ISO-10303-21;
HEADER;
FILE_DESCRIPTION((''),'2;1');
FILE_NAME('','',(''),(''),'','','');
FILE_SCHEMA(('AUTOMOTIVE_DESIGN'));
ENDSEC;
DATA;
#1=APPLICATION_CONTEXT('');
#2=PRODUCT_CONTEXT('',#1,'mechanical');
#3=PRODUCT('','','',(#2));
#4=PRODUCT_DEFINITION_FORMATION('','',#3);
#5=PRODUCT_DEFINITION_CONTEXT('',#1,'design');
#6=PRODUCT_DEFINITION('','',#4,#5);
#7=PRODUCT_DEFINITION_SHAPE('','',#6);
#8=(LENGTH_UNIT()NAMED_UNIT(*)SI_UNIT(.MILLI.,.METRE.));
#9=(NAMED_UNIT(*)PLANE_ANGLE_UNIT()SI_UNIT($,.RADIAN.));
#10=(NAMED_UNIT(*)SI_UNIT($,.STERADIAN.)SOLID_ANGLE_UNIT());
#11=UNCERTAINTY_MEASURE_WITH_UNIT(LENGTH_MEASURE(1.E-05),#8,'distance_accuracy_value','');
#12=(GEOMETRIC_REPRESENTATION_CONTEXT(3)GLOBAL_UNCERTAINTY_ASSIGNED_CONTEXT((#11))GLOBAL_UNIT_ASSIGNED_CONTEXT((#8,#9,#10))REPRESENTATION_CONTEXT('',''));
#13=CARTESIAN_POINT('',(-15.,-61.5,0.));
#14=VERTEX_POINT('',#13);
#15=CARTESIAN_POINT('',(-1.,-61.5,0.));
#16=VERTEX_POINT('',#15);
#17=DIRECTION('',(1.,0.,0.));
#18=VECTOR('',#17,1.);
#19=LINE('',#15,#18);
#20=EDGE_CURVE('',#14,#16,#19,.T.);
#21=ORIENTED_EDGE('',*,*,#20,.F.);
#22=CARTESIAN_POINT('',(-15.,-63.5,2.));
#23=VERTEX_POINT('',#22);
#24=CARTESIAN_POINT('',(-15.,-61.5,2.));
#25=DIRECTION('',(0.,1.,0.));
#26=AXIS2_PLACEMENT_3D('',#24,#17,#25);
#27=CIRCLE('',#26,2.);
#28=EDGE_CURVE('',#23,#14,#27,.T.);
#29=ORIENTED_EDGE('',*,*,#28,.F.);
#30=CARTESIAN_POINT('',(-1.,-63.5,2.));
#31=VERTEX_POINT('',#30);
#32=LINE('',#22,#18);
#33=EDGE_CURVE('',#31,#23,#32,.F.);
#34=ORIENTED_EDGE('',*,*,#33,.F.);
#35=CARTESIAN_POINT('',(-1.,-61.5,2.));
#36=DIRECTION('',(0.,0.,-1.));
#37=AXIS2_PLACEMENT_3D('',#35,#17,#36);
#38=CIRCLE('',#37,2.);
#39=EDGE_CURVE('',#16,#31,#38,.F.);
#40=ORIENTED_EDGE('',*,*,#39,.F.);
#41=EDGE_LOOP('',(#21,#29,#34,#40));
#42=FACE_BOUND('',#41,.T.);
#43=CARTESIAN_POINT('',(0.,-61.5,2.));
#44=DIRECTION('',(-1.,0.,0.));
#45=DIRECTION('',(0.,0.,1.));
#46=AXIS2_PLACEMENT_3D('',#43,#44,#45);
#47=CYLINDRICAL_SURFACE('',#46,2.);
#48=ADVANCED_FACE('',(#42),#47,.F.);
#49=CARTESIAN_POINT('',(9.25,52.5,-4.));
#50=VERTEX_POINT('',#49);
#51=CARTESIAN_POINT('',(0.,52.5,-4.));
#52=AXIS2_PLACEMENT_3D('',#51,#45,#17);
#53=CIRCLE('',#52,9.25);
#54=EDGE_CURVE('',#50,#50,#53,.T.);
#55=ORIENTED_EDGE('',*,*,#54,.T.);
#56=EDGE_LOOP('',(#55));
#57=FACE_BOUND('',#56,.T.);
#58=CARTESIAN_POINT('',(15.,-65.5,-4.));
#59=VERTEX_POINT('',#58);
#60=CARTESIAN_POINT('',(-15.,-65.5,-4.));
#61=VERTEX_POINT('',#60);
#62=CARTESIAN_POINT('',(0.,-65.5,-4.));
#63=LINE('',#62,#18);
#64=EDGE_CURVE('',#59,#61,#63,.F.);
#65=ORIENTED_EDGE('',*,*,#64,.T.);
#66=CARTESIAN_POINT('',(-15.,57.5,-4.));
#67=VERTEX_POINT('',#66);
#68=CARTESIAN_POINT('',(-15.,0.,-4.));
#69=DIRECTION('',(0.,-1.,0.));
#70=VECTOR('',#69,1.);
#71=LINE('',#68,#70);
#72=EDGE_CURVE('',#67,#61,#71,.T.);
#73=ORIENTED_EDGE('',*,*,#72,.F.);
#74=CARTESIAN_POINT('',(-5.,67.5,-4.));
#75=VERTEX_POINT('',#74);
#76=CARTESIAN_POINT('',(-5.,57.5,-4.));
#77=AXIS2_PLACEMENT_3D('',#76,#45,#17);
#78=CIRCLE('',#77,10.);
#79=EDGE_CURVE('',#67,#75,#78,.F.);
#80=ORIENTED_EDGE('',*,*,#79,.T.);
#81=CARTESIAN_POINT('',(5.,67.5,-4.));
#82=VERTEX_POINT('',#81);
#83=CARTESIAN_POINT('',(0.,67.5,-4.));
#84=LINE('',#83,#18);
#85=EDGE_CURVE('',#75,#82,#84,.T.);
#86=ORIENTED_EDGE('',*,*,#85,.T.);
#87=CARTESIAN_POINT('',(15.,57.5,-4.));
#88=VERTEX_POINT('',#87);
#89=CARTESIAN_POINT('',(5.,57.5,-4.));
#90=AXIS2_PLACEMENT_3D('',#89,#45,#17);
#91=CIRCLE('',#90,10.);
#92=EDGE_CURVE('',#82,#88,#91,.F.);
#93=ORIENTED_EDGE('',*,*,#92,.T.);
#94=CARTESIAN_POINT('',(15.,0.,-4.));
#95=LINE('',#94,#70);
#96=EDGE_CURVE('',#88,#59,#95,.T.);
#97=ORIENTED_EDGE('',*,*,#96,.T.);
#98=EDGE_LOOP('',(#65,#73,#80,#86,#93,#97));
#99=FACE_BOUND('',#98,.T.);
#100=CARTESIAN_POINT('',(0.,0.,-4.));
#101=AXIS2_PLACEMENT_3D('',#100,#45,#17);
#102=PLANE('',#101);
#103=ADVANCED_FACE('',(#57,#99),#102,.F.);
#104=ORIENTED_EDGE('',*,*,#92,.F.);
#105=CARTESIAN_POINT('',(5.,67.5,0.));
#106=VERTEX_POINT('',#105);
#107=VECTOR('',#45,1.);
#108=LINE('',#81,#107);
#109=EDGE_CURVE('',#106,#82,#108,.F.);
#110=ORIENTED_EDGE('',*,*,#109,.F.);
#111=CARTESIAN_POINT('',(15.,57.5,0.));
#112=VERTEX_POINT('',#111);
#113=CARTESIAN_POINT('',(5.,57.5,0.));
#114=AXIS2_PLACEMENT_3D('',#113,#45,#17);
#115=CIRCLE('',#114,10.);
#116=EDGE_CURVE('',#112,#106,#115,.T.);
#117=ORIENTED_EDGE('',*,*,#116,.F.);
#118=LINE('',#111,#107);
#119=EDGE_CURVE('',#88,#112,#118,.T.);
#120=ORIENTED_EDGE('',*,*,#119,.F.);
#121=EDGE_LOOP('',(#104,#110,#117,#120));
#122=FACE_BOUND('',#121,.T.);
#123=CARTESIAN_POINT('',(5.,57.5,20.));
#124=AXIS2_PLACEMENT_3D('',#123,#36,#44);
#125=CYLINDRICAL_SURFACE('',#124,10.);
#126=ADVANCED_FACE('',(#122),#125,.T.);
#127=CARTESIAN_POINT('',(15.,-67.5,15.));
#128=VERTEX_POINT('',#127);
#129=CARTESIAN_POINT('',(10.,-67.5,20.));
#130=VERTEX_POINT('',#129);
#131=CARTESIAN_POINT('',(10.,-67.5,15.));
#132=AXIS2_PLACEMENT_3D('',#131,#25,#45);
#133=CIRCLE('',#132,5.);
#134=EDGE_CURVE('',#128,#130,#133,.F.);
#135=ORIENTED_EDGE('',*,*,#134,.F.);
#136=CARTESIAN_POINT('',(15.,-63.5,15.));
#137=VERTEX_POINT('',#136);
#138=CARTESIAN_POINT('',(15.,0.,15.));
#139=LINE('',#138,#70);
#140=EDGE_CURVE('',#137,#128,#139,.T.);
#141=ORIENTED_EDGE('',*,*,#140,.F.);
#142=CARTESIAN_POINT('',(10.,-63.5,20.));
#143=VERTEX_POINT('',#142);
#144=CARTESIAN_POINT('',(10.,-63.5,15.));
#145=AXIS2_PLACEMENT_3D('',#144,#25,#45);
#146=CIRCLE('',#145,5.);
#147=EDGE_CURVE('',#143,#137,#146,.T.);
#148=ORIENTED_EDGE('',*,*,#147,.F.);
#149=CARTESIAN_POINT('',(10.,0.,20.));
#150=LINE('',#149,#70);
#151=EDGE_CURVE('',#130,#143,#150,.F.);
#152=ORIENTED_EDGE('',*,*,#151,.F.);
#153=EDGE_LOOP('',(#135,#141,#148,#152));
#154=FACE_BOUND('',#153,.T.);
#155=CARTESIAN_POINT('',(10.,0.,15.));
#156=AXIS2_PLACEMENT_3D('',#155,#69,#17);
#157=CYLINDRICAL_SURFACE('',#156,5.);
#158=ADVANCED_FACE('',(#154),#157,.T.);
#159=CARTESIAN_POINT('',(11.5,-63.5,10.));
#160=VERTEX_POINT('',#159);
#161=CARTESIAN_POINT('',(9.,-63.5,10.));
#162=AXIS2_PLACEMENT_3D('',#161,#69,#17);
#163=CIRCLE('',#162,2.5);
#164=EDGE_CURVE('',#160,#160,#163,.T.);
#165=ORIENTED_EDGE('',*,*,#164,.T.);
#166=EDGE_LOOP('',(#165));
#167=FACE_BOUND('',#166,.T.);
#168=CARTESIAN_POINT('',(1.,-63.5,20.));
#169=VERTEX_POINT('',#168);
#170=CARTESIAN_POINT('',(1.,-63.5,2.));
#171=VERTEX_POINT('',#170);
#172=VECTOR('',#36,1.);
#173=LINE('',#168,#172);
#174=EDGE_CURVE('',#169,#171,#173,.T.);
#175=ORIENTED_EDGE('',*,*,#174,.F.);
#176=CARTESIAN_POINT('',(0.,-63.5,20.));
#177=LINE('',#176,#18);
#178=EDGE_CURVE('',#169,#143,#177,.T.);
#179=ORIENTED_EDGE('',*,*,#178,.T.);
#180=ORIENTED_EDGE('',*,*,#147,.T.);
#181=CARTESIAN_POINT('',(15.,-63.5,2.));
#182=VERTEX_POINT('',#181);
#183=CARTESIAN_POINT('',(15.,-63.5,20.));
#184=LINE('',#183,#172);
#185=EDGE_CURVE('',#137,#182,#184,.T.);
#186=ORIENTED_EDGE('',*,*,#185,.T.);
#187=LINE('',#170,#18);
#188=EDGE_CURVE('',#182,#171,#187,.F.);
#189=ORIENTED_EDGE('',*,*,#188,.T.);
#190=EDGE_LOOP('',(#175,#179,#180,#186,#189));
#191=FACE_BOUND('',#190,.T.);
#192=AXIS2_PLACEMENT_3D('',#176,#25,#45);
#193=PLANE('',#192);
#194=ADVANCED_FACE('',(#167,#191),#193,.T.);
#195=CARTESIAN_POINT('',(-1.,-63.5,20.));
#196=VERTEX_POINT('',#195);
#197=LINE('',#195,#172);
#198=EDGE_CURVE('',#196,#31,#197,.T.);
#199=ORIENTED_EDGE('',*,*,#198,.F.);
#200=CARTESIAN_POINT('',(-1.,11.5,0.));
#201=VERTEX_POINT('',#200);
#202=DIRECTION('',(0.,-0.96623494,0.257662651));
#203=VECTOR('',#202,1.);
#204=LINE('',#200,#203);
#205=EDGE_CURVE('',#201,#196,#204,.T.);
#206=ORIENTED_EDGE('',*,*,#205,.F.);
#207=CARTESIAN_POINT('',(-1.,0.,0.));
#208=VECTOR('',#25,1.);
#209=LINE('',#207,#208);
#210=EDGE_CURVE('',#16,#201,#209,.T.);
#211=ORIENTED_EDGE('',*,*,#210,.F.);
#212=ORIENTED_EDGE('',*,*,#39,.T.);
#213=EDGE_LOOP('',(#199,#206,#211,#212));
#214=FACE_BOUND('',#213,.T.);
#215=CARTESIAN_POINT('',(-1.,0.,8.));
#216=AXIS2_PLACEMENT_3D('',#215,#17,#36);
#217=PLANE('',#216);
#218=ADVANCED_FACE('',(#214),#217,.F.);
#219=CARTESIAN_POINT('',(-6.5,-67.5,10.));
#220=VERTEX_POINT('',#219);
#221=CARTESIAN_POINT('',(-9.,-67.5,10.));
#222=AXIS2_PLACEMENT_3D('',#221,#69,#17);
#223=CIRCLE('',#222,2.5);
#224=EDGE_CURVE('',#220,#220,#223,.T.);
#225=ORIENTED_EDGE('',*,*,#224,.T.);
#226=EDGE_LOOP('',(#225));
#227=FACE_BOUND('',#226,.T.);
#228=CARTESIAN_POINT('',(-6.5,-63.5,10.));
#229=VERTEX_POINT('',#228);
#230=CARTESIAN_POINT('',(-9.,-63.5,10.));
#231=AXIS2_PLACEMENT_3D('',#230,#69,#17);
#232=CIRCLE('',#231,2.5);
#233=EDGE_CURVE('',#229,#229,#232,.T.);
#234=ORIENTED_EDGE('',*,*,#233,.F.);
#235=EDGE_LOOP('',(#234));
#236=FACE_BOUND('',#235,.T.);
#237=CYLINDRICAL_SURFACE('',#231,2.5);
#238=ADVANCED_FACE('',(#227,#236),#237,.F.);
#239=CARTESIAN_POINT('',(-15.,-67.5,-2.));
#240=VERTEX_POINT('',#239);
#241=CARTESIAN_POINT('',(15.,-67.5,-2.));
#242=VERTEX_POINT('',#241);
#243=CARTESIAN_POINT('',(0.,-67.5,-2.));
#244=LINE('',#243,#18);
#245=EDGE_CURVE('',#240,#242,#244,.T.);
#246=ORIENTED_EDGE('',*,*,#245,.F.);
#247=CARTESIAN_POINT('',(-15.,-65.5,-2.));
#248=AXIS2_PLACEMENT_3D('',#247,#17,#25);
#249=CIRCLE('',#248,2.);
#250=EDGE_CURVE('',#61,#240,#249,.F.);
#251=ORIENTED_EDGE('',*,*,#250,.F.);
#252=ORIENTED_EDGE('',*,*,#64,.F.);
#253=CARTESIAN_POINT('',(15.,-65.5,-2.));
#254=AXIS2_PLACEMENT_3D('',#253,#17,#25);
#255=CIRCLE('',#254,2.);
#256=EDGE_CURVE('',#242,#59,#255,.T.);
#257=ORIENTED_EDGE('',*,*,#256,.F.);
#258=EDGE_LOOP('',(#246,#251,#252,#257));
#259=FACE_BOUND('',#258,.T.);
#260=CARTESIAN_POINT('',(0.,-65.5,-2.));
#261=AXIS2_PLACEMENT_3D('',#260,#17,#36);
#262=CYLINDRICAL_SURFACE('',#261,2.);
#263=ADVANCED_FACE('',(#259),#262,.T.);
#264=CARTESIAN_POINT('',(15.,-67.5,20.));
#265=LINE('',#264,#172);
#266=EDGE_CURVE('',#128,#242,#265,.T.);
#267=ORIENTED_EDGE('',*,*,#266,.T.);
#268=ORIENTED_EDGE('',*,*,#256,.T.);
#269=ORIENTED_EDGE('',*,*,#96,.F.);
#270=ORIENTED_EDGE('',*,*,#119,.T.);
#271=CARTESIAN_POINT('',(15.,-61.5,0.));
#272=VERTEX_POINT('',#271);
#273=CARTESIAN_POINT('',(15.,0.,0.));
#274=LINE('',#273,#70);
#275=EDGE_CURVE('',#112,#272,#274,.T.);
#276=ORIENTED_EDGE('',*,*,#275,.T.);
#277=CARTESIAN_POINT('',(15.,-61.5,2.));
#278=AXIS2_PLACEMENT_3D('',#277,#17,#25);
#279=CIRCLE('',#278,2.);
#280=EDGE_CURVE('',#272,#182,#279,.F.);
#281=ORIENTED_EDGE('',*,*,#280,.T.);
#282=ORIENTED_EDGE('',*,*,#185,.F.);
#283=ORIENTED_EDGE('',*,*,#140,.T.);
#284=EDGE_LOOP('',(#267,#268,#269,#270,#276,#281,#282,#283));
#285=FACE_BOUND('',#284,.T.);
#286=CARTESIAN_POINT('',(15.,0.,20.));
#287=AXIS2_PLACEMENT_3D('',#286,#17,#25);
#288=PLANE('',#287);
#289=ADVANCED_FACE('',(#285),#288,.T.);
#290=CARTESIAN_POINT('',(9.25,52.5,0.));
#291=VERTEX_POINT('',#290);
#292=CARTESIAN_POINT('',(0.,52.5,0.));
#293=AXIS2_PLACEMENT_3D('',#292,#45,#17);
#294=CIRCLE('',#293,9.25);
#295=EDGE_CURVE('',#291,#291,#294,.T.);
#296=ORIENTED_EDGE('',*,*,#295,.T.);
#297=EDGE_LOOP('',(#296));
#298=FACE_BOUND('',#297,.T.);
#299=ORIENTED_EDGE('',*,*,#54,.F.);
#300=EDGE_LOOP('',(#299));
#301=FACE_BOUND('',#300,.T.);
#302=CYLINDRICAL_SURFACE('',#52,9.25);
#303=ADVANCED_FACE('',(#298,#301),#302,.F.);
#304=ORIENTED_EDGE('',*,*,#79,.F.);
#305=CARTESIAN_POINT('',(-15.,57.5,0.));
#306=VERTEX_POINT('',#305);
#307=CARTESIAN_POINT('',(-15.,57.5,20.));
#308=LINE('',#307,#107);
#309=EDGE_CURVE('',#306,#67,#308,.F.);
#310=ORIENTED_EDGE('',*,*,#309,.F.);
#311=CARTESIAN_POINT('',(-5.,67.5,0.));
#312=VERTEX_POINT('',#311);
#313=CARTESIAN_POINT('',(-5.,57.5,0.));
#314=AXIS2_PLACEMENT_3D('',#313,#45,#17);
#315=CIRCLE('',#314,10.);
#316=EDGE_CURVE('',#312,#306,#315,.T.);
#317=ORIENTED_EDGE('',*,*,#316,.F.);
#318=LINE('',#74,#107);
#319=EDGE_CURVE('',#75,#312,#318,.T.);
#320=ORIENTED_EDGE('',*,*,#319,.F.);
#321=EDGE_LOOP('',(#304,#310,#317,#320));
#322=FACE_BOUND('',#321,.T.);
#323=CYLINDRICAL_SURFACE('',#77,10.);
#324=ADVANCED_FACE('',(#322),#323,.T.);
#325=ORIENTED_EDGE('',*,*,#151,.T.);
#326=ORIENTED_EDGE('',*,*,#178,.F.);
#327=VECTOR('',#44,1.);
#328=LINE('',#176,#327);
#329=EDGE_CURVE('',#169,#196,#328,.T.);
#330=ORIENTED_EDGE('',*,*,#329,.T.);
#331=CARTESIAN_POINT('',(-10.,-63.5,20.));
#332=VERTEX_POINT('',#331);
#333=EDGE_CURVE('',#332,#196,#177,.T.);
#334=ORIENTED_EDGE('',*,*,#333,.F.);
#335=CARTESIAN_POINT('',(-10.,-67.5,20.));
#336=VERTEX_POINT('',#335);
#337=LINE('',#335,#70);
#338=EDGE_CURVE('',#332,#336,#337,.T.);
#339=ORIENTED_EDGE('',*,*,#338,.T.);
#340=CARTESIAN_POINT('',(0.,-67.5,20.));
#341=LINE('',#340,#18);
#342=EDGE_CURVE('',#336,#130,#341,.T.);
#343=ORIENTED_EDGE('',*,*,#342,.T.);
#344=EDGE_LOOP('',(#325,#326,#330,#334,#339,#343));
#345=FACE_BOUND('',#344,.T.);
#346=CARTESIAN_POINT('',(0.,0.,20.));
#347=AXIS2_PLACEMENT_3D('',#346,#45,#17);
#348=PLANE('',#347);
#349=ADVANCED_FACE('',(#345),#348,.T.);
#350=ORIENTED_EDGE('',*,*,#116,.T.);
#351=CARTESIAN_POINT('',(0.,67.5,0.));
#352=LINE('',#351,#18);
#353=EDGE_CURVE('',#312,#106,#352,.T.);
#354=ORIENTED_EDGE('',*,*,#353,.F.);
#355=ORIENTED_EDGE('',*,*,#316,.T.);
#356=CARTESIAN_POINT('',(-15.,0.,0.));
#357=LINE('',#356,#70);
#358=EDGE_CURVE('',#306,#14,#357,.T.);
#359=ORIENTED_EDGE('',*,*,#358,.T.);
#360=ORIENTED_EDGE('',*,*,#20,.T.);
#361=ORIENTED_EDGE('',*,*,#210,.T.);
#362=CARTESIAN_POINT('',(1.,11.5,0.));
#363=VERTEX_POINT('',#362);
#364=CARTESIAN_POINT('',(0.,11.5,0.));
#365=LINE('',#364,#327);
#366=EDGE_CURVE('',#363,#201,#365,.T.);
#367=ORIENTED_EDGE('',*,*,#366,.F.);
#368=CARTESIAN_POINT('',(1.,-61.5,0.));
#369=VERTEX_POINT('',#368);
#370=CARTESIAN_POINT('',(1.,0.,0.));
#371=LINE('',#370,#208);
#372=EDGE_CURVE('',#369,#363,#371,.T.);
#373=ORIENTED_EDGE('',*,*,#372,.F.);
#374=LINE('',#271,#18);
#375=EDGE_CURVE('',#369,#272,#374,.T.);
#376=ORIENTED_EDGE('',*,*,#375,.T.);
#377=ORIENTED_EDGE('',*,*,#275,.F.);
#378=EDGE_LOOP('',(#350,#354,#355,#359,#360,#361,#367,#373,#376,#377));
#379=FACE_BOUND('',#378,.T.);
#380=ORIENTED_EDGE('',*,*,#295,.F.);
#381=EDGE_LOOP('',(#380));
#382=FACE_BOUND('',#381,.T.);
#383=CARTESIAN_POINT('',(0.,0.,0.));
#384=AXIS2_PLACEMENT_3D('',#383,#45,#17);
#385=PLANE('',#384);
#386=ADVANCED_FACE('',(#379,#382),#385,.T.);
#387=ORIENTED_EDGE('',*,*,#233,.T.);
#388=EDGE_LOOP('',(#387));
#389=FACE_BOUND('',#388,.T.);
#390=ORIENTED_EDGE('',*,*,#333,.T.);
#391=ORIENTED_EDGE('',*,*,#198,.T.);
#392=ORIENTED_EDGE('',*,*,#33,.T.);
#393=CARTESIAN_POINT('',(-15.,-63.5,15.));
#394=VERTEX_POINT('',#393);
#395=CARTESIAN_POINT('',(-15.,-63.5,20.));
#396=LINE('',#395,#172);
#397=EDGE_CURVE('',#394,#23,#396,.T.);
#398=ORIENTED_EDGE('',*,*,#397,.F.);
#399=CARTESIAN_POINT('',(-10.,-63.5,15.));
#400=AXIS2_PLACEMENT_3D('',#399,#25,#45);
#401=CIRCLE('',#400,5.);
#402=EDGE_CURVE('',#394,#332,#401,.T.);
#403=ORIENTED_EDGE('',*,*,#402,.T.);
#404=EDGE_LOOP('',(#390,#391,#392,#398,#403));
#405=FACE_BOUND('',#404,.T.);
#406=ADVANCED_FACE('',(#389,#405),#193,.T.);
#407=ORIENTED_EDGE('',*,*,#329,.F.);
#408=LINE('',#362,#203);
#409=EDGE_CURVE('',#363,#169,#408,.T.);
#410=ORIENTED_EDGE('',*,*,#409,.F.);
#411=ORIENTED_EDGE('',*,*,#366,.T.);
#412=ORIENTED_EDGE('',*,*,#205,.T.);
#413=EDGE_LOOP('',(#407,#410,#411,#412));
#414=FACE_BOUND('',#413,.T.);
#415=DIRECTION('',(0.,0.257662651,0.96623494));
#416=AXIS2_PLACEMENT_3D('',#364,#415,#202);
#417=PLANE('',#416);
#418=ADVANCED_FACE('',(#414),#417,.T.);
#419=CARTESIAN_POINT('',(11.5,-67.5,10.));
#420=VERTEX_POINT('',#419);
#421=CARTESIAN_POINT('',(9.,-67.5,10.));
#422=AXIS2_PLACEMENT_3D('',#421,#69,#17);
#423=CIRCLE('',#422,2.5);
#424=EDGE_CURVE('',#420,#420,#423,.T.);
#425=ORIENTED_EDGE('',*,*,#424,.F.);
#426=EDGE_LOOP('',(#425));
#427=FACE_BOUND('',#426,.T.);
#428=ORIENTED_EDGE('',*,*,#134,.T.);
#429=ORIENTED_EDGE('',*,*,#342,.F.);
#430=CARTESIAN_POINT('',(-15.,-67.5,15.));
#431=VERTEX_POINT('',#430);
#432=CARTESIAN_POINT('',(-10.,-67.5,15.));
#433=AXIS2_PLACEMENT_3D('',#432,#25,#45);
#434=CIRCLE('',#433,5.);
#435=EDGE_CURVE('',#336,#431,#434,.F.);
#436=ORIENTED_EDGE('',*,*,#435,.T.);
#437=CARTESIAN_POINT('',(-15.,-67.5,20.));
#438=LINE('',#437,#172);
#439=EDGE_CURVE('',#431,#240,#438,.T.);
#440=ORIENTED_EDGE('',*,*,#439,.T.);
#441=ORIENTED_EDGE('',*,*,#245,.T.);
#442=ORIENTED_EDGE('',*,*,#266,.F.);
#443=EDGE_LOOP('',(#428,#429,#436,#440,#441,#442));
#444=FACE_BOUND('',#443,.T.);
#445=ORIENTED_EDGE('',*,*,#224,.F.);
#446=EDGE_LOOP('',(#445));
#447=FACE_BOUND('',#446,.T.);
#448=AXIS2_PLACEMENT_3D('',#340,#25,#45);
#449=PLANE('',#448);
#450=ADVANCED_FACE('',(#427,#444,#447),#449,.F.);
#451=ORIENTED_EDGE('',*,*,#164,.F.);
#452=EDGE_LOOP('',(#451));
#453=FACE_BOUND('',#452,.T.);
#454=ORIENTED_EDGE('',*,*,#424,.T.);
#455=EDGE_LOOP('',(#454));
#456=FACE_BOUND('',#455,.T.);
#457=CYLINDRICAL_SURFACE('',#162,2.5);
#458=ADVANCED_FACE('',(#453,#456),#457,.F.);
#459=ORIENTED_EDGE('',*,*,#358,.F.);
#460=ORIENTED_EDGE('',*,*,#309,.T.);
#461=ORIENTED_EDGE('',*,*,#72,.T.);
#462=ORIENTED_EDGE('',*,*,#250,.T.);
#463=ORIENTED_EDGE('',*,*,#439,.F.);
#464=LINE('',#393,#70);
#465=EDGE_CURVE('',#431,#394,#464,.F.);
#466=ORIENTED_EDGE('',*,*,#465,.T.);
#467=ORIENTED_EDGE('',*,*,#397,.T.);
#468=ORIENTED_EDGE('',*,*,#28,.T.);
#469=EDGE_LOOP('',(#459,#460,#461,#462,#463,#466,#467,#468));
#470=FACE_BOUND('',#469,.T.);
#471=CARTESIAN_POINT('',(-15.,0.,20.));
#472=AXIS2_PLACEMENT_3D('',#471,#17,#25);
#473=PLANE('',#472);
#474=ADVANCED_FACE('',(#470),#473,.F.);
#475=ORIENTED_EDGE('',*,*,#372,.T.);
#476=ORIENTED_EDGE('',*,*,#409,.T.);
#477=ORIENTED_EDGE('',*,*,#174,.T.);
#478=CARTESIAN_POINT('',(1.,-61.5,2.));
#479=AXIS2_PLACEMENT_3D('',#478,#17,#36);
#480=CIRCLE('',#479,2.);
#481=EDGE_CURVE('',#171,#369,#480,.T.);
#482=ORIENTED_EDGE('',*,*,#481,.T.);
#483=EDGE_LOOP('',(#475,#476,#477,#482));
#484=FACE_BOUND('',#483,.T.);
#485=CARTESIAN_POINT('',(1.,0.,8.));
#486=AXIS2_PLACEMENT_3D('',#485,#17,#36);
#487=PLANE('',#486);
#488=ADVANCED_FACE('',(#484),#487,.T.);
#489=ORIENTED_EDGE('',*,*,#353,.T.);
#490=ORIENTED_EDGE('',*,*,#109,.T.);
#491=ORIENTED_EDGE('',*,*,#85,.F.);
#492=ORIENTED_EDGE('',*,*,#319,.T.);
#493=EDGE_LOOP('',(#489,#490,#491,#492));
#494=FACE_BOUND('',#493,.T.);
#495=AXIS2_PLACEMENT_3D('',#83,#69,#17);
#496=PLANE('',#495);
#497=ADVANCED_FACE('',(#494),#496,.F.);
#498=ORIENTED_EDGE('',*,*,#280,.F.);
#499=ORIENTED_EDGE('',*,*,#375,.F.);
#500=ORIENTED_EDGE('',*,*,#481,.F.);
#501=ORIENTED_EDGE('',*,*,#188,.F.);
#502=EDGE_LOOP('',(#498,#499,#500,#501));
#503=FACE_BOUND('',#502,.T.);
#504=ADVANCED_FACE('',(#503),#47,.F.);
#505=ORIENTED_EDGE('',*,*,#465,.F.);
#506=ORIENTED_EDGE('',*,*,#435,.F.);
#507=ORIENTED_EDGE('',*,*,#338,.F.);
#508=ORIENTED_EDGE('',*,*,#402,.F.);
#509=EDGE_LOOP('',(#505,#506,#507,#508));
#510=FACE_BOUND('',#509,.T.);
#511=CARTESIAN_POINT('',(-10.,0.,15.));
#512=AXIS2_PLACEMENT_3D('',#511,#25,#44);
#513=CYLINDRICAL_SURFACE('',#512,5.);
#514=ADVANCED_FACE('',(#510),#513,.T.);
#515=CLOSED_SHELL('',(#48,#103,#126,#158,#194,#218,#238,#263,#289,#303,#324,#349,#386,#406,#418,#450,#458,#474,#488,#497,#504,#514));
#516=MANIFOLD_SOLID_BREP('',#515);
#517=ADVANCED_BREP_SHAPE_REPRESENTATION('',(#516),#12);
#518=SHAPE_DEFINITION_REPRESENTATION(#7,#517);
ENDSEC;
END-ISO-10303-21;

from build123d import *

# Parameters (mm, degrees)
SKETCH_1_W          = 30
SKETCH_1_H          = 4
EXTRUDE_1_DEPTH     = 20
SKETCH_1_3_W        = 30
SKETCH_1_3_H        = 135
SKETCH_1_3_R        = 9.25
EXTRUDE_2_DEPTH     = 4
RIB_3_REACH         = 73.981
SKETCH_2_WALL_W     = 223.58267397
SKETCH_2_WALL_H     = 2
SKETCH_3_R          = 2.5
CUT_EXTRUDE_1_DEPTH = 4
FILLET_1_R          = 5
FILLET_2_R          = 2
FILLET_3_R          = 10


with BuildPart() as part:
    # 스케치1 → 보스-돌출1 (new body)
    with BuildSketch(Plane.XY):
        with Locations((0, -65.5)):
            Rectangle(SKETCH_1_W, SKETCH_1_H)
    extrude(amount=EXTRUDE_1_DEPTH)

    # 스케치1<3> → 보스-돌출2 (add)
    with BuildSketch(Plane.XY):
        Rectangle(SKETCH_1_3_W, SKETCH_1_3_H)
        with Locations((0, 52.5)):
            Circle(SKETCH_1_3_R, mode=Mode.SUBTRACT)
    extrude(amount=-EXTRUDE_2_DEPTH)

    # 스케치2 wall → 보강대3 (add, up to next)
    with BuildSketch(Plane(origin=(0, -26, 10), x_dir=(0, -0.966234939601, 0.25766265056), z_dir=(0, -0.25766265056, -0.966234939601)), mode=Mode.PRIVATE) as rib_3_sk1:
        Rectangle(SKETCH_2_WALL_W, SKETCH_2_WALL_H)
    rib_3_tool1 = extrude(rib_3_sk1.sketch, amount=RIB_3_REACH, mode=Mode.PRIVATE) - part.part
    add(rib_3_tool1.solids().sort_by_distance((0, -26, 10))[0])

    # 스케치3 → 컷-돌출1 (cut)
    with BuildSketch(Plane.XZ.offset(67.5)):
        with Locations((-9, 10)):
            Circle(SKETCH_3_R)
        with Locations((9, 10)):
            Circle(SKETCH_3_R)
    extrude(amount=-CUT_EXTRUDE_1_DEPTH, mode=Mode.SUBTRACT)

    # 필렛1
    fillet_1_edges = [part.edges().sort_by_distance(p)[0] for p in [
        (15, -65.5, 20),
        (-15, -65.5, 20),
    ]]
    fillet(fillet_1_edges, radius=FILLET_1_R)

    # 필렛2
    fillet_2_edges = [part.edges().sort_by_distance(p)[0] for p in [
        (8, -63.5, 0),
        (-8, -63.5, 0),
        (0, -67.5, -4),
    ]]
    fillet(fillet_2_edges, radius=FILLET_2_R)

    # 필렛3
    fillet_3_edges = [part.edges().sort_by_distance(p)[0] for p in [
        (15, 67.5, -2),
        (-15, 67.5, -2),
    ]]
    fillet(fillet_3_edges, radius=FILLET_3_R)


solid = part.part
